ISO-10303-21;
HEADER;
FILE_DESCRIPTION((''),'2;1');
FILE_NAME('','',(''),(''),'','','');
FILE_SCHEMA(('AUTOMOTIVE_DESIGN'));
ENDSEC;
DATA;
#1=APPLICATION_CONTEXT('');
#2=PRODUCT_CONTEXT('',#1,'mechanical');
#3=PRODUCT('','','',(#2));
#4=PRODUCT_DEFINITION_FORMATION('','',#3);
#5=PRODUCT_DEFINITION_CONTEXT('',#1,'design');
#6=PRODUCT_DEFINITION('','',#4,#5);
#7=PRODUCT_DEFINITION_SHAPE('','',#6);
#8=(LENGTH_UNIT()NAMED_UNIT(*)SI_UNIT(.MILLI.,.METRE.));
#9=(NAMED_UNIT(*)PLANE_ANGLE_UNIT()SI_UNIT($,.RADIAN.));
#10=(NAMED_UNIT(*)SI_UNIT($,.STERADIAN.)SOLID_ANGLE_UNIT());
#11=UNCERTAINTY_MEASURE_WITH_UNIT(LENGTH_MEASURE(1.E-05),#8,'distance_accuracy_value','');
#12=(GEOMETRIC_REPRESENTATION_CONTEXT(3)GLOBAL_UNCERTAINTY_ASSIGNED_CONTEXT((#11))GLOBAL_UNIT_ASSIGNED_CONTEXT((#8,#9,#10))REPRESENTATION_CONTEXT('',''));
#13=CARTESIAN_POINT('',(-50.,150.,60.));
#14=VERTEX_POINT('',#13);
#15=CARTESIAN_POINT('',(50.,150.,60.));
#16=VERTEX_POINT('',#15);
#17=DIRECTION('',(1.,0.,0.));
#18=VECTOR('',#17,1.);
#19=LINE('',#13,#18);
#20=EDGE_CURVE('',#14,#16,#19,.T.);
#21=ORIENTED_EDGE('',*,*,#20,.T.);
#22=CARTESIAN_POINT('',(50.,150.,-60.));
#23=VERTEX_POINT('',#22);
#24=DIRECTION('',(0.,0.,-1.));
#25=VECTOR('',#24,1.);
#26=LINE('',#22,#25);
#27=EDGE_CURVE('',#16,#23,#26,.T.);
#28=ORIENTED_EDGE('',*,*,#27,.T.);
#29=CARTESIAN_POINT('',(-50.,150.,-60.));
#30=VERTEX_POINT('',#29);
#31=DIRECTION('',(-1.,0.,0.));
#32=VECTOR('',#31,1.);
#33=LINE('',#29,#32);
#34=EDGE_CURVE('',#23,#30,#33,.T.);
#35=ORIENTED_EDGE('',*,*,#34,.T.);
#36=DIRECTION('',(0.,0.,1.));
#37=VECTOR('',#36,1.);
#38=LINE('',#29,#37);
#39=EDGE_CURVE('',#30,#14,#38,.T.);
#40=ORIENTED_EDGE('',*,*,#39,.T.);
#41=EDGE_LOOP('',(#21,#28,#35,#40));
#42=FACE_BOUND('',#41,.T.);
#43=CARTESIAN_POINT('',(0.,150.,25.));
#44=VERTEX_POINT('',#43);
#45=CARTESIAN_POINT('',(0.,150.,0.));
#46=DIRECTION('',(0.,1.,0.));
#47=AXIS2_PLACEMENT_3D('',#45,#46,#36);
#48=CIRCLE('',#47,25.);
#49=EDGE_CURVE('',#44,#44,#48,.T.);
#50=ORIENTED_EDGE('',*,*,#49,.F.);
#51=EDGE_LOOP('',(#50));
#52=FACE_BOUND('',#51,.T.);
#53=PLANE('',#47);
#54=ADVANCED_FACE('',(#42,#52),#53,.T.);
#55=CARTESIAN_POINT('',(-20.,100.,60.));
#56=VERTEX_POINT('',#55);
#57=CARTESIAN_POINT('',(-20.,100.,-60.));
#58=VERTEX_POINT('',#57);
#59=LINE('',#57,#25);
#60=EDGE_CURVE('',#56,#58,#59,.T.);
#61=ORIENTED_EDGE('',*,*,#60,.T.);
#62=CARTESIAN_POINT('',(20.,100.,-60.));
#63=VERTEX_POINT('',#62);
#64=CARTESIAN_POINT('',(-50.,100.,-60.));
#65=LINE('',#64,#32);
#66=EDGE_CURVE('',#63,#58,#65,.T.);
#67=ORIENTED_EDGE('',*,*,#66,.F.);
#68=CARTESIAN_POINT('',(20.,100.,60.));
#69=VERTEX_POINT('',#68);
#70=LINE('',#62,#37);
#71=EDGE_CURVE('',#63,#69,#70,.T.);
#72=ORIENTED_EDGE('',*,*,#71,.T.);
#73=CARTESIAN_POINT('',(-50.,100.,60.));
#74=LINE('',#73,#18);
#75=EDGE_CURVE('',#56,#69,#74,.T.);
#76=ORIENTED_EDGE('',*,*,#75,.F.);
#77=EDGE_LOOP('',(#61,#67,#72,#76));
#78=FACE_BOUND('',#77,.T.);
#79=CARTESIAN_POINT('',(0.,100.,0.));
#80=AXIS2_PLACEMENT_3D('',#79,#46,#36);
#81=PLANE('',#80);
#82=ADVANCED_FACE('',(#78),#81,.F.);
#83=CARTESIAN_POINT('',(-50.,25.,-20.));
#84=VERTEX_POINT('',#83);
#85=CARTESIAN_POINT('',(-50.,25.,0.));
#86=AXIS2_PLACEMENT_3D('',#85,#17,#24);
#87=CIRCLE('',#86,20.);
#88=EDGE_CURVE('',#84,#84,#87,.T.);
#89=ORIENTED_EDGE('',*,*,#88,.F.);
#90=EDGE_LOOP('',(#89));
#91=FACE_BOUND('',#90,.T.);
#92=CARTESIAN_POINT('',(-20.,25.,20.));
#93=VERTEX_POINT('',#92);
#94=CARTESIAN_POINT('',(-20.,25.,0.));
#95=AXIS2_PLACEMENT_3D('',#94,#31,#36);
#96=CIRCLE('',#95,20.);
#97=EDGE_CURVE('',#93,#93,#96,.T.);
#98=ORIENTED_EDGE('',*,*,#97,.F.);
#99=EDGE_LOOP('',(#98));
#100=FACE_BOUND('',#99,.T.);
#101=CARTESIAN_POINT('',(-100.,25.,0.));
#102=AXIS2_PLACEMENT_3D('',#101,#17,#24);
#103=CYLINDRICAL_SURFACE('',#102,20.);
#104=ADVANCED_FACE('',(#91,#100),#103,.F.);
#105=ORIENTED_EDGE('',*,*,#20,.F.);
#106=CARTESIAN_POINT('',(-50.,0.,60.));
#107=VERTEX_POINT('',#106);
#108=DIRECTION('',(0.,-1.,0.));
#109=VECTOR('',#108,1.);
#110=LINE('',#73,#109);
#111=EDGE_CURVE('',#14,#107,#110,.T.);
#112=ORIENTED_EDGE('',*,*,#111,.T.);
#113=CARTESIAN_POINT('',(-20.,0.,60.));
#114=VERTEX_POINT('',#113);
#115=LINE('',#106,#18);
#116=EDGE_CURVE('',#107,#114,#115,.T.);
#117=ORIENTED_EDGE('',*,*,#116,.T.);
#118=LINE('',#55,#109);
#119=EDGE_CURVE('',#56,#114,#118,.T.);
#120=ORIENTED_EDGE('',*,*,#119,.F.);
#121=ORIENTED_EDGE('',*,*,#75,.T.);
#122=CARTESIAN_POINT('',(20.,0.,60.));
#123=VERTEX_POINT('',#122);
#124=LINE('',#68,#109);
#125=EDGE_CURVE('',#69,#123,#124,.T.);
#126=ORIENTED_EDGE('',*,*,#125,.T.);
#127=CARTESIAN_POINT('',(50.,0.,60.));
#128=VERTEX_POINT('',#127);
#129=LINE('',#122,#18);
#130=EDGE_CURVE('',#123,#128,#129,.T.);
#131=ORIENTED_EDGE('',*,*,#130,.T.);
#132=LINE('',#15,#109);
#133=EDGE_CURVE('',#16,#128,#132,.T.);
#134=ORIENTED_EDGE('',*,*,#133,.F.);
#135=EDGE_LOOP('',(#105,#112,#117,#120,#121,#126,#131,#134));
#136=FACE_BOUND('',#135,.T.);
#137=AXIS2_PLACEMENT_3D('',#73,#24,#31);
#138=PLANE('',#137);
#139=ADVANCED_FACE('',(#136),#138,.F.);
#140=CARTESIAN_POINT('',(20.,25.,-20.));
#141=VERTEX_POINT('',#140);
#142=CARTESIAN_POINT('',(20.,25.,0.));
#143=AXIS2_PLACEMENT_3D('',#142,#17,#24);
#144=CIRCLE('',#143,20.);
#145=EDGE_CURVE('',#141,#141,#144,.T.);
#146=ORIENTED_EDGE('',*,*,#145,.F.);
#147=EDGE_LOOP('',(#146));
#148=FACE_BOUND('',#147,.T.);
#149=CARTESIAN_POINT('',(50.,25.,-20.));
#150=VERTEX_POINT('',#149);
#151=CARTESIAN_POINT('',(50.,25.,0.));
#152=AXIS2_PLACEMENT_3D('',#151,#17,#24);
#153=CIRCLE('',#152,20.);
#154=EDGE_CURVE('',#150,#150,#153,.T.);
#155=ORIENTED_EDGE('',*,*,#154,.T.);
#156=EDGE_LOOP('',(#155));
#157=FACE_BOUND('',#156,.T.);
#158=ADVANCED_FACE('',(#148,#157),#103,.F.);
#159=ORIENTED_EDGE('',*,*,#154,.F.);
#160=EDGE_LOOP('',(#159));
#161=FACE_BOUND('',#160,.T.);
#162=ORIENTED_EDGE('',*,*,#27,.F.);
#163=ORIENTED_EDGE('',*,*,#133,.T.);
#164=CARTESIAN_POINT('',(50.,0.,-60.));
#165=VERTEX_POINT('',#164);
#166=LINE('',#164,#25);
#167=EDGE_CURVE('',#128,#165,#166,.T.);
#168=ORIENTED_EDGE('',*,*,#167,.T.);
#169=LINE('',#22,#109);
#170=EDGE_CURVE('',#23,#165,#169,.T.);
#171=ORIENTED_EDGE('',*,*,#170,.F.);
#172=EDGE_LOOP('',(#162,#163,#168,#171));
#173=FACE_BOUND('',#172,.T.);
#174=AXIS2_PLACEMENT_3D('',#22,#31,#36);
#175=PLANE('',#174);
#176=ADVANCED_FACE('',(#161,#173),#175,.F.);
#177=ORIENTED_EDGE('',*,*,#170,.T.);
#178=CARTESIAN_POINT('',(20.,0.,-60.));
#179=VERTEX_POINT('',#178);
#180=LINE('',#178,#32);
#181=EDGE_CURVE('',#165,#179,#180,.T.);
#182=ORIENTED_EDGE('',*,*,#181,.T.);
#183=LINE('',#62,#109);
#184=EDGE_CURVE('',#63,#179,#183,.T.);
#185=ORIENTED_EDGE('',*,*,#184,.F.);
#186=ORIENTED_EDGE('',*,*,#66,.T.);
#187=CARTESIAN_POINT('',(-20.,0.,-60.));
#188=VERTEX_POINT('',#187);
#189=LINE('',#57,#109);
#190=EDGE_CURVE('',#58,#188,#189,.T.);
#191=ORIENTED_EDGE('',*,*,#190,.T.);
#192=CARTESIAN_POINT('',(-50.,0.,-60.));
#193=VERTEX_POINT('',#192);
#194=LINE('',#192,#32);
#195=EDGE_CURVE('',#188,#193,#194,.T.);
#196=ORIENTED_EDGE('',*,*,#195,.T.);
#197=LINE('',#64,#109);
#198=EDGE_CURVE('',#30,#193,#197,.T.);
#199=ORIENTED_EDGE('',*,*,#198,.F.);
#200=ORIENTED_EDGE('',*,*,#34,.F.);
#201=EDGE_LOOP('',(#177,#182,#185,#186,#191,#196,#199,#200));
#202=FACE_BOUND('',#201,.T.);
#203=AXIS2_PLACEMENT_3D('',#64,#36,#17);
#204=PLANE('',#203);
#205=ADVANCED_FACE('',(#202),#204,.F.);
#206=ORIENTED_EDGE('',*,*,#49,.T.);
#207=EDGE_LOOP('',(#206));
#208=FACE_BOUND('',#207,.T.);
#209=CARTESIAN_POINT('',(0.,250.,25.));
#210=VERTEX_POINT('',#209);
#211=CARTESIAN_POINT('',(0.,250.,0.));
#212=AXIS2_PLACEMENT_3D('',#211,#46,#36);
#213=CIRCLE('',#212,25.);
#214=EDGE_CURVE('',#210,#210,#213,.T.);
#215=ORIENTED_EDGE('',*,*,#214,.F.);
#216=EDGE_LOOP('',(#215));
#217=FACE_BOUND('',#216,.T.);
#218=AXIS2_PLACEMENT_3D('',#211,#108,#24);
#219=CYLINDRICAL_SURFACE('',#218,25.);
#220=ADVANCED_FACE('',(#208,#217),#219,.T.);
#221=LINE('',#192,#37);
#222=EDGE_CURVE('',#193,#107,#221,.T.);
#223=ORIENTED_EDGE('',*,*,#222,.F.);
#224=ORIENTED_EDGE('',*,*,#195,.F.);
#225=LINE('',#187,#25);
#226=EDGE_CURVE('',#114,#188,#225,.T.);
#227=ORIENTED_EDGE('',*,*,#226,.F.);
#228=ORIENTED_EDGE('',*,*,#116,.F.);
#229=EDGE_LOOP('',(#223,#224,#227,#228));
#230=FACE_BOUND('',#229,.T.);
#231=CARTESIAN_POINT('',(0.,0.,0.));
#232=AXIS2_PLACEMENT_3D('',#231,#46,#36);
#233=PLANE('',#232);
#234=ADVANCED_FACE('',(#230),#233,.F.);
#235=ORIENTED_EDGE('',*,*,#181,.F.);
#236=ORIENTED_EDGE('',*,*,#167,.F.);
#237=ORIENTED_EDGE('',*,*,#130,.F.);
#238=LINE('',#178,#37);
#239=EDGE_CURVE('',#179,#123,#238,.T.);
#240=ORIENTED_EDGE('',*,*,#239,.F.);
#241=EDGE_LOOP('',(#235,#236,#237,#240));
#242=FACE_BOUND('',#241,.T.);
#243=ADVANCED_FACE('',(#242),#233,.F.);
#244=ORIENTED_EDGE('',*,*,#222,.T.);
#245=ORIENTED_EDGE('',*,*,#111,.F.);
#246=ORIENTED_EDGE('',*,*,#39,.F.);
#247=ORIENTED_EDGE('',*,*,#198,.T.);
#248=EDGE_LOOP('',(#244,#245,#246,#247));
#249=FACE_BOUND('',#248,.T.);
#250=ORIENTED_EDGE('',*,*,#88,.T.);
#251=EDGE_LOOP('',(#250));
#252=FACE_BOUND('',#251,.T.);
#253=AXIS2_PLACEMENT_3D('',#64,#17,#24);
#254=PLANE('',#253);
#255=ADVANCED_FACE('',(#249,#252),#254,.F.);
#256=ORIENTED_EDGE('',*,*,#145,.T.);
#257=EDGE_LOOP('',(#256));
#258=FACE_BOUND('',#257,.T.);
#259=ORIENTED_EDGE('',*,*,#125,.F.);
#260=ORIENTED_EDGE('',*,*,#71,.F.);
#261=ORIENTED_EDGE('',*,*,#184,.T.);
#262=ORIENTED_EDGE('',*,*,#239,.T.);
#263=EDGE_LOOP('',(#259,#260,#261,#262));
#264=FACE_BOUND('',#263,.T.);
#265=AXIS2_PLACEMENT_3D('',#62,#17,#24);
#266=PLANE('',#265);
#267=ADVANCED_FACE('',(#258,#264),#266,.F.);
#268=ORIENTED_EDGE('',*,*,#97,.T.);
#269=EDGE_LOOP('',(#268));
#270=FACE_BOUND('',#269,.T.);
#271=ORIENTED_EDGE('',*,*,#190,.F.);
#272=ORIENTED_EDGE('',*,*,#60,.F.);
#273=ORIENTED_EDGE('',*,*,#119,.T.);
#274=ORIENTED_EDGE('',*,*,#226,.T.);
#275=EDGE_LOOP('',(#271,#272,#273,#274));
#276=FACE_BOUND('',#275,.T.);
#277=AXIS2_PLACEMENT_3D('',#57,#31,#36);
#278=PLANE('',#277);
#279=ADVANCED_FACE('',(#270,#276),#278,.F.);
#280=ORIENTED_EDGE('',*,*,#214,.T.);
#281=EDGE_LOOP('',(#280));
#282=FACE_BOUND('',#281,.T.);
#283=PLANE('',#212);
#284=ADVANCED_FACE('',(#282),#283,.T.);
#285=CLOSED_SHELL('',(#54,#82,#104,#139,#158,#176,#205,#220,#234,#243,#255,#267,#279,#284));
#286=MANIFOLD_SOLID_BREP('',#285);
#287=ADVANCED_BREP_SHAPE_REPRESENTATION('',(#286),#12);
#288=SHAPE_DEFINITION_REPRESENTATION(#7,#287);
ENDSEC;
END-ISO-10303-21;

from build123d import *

# Parameters (mm, degrees)
SKETCH1_W             = 30
SKETCH1_H             = 120
BOSS_EXTRUDE1_DEPTH   = 100
BOSS_EXTRUDE1_2_DEPTH = 100
SKETCH2_R             = 20
CUT_EXTRUDE1_DEPTH    = 150
SKETCH3_W             = 100
SKETCH3_H             = 120
BOSS_EXTRUDE2_DEPTH   = 50
SKETCH4_R             = 25
BOSS_EXTRUDE3_DEPTH   = 100


with BuildPart() as part:
    # Sketch1 → Boss-Extrude1 (new body)
    with BuildSketch(Plane(origin=(0, 0, 0), x_dir=(1, 0, 0), z_dir=(0, 1, 0))):
        with Locations((-35, 0)):
            Rectangle(SKETCH1_W, SKETCH1_H)
    extrude(amount=BOSS_EXTRUDE1_DEPTH)


with BuildPart() as body_2:
    # Sketch1 → Boss-Extrude1 2 (new body)
    with BuildSketch(Plane(origin=(0, 0, 0), x_dir=(1, 0, 0), z_dir=(0, 1, 0))):
        with Locations((35, 0)):
            Rectangle(SKETCH1_W, SKETCH1_H)
    extrude(amount=BOSS_EXTRUDE1_2_DEPTH)


with BuildPart() as cut_extrude1_tool:
    # Sketch2 → Cut-Extrude1 (new body)
    with BuildSketch(Plane(origin=(50, 0, 0), x_dir=(0, 0, -1), z_dir=(1, 0, 0))):
        with Locations((0, 25)):
            Circle(SKETCH2_R)
    extrude(amount=-CUT_EXTRUDE1_DEPTH)


with BuildPart() as part_1:
    add(part.part)

    # Cut-Extrude1: cut by cut_extrude1_tool
    add(cut_extrude1_tool.part, mode=Mode.SUBTRACT)



with BuildPart() as body_2_1:
    add(body_2.part)

    # Cut-Extrude1: cut by cut_extrude1_tool
    add(cut_extrude1_tool.part, mode=Mode.SUBTRACT)


with BuildPart() as part_2:
    add(part_1.part)

    add(body_2_1.part)  # Boss-Extrude2 merges body 2
    # Sketch3 → Boss-Extrude2 (add)
    with BuildSketch(Plane(origin=(0, 100, 0), x_dir=(1, 0, 0), z_dir=(0, 1, 0))):
        Rectangle(SKETCH3_W, SKETCH3_H)
    extrude(amount=BOSS_EXTRUDE2_DEPTH)

    # Sketch4 → Boss-Extrude3 (add)
    with BuildSketch(Plane(origin=(0, 150, 0), x_dir=(1, 0, 0), z_dir=(0, 1, 0))):
        with Locations(Location((0, 0, 0), (0, 0, 270))):
            Circle(SKETCH4_R)
    extrude(amount=BOSS_EXTRUDE3_DEPTH)


solid = part_2.part
